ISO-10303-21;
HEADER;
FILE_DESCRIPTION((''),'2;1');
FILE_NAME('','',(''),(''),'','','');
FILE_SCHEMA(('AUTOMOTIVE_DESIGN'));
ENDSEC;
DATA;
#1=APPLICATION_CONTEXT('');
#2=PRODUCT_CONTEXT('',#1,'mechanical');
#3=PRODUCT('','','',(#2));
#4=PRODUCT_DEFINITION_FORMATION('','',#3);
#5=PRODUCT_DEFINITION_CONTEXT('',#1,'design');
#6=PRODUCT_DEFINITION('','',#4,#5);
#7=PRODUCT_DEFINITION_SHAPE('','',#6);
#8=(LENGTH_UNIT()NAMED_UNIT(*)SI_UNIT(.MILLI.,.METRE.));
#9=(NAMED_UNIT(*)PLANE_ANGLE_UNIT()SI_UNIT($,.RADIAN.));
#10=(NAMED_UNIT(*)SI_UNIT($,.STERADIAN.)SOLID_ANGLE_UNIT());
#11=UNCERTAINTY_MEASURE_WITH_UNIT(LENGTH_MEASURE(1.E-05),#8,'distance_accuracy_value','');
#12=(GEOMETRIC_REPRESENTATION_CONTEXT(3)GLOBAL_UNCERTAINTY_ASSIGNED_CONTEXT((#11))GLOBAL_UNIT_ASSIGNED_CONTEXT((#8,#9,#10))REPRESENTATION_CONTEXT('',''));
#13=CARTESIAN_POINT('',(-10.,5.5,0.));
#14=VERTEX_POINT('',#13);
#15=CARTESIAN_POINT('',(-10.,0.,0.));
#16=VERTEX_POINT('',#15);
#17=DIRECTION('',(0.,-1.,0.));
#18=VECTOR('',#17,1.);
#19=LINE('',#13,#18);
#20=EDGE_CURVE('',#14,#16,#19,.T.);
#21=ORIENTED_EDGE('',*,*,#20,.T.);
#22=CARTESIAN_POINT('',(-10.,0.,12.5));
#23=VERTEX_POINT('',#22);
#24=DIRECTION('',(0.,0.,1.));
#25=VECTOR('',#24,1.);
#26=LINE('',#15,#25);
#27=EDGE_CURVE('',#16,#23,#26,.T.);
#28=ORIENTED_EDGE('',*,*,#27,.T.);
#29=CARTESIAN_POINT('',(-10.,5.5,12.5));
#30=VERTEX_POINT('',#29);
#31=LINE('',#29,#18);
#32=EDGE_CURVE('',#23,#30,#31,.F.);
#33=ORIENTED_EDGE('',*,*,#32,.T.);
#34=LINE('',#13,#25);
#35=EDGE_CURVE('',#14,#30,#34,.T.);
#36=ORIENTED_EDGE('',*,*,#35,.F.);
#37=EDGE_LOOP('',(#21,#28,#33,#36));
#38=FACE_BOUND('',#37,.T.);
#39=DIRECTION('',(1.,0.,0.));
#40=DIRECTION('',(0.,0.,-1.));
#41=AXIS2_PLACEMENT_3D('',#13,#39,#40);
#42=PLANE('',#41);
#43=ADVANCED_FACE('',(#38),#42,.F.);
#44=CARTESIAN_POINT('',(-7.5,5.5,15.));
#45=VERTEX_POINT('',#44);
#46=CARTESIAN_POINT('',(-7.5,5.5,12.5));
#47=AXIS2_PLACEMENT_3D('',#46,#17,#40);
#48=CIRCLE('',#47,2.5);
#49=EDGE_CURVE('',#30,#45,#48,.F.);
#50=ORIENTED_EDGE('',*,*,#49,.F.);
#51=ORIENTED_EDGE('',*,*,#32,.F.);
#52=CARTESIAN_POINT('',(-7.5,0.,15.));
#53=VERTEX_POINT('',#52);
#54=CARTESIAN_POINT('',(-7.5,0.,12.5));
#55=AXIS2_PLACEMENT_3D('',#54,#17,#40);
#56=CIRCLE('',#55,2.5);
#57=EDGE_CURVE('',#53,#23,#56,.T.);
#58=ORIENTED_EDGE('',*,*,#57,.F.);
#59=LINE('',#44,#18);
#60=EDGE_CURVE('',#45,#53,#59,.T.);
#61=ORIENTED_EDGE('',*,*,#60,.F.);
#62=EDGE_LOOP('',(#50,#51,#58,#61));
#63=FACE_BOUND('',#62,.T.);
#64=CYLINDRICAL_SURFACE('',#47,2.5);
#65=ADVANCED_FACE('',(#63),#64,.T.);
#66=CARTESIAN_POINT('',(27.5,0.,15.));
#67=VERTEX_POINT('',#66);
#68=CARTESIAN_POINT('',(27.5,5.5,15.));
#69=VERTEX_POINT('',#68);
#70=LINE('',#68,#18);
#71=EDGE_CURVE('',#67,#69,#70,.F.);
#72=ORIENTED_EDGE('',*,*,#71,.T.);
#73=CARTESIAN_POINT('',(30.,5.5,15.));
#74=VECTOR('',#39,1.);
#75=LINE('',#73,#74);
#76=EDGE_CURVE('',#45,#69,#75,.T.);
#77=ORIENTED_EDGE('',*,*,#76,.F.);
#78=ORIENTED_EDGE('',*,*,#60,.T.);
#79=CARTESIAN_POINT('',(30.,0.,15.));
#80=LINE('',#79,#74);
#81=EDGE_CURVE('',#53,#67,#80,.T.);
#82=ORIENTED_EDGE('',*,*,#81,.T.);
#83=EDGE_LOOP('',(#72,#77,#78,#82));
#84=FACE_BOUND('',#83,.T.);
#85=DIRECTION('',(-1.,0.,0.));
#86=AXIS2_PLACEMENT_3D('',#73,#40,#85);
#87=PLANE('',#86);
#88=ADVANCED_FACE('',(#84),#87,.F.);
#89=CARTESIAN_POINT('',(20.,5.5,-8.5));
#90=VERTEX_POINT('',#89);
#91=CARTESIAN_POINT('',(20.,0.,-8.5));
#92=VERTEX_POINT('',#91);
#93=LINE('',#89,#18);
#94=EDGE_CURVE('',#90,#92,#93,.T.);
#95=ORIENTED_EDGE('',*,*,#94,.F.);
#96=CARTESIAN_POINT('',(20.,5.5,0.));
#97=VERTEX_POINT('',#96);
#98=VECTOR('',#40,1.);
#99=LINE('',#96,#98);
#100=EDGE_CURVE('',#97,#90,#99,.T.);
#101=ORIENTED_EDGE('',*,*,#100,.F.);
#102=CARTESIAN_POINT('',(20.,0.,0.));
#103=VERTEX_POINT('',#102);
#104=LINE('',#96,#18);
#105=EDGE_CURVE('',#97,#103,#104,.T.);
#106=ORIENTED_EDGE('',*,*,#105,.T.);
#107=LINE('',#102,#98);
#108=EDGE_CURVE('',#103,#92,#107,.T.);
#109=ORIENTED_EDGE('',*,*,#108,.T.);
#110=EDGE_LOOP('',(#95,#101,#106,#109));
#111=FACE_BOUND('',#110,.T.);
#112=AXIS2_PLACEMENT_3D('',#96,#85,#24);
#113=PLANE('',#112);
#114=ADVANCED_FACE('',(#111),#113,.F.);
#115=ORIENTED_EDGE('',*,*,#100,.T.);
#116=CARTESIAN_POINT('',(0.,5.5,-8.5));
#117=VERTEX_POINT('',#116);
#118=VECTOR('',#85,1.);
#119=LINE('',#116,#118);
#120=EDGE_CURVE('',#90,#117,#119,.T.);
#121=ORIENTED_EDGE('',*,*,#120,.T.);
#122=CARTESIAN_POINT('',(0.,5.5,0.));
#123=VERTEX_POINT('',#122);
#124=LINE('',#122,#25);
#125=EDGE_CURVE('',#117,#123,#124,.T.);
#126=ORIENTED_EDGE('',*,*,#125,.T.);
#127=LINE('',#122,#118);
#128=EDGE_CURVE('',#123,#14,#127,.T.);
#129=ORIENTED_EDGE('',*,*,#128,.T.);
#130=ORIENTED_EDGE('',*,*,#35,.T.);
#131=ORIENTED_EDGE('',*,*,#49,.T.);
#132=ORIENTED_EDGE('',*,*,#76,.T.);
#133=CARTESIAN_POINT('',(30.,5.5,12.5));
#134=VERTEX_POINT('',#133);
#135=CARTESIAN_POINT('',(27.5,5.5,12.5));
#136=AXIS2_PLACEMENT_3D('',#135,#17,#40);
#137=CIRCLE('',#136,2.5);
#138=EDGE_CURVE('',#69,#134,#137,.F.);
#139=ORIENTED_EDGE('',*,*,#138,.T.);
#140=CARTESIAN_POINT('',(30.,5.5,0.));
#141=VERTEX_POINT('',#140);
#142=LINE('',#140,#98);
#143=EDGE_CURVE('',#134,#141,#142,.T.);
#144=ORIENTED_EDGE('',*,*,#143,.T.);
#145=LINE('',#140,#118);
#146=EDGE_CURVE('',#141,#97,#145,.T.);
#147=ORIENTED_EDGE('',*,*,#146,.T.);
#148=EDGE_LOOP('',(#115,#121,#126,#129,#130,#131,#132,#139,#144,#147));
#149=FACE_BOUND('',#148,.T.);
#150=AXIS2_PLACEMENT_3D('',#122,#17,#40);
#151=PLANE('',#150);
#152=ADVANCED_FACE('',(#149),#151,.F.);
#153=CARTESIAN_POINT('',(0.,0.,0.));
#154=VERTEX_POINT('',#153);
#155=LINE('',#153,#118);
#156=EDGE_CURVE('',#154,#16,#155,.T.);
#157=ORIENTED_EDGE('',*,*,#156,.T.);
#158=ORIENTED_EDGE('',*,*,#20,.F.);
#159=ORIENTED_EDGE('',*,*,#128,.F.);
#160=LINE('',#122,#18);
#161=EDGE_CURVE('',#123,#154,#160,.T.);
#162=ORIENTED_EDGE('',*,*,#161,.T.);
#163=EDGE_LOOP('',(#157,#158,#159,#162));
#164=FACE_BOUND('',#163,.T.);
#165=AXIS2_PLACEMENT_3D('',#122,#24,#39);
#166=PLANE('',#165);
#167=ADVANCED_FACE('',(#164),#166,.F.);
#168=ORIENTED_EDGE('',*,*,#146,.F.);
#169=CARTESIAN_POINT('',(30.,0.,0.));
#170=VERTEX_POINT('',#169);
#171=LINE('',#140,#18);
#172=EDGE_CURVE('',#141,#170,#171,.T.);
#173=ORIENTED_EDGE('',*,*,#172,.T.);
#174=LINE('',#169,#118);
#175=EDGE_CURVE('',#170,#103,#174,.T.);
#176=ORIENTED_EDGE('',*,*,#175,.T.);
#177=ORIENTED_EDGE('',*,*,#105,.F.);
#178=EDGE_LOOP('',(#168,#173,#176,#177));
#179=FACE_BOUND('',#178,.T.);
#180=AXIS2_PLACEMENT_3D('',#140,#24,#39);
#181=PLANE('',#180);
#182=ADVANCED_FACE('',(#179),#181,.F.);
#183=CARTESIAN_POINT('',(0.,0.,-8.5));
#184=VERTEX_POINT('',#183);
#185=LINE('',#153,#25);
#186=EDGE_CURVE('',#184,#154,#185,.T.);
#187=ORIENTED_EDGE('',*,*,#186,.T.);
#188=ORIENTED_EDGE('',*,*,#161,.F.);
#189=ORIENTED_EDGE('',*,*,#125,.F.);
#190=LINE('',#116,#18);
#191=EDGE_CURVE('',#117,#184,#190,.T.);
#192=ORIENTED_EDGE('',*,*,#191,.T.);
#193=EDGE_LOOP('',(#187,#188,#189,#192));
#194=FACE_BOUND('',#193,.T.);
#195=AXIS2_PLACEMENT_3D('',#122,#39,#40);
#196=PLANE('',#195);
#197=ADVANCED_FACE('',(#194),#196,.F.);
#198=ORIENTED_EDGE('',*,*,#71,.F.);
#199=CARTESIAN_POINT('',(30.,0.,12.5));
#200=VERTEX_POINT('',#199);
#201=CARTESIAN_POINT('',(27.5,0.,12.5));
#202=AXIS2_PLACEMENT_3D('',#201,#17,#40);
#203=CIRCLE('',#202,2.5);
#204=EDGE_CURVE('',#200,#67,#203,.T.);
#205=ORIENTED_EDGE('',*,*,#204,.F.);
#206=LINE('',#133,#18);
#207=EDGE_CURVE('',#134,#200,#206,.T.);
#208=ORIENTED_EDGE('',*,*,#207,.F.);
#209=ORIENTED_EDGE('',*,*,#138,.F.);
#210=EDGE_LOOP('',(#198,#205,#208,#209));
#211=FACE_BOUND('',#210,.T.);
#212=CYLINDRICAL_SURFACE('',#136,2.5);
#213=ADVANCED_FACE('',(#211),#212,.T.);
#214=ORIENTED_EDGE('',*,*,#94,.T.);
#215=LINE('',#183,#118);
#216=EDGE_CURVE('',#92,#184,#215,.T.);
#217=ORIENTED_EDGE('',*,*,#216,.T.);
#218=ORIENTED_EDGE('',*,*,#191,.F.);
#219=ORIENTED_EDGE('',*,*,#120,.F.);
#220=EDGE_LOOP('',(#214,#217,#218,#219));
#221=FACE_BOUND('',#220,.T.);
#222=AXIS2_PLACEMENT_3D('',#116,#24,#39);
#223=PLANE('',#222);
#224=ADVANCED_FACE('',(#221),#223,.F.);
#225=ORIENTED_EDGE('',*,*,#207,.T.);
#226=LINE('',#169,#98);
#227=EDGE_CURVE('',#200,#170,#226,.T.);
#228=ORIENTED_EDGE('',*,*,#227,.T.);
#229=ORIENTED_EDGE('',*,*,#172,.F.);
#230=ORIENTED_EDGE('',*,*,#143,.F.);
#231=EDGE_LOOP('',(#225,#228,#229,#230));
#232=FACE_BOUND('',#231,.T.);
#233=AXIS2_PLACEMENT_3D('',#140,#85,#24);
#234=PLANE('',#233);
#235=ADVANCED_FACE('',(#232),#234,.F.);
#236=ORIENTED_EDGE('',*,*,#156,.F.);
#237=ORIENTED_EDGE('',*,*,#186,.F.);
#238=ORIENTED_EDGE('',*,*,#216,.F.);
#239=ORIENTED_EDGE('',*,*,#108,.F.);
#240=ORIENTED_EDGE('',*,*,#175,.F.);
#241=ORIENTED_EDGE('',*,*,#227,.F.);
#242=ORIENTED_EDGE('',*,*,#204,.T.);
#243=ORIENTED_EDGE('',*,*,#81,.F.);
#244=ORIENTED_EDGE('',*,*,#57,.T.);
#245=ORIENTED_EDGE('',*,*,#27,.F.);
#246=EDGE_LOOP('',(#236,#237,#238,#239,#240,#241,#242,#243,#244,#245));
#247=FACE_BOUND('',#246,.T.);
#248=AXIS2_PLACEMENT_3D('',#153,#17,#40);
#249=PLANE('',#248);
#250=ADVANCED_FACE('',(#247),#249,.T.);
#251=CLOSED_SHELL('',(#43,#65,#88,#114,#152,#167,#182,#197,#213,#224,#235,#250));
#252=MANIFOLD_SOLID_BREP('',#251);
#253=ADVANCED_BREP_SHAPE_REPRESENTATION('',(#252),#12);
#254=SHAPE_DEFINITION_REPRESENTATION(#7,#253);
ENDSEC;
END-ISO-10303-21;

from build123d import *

# Parameters (mm, degrees)
BOSS_EXTRUDE1_DEPTH = 5.5
FILLET1_R           = 2.5


with BuildPart() as part:
    # Sketch1 → Boss-Extrude1 (new body)
    with BuildSketch(Plane(origin=(0, 0, 0), x_dir=(1, 0, 0), z_dir=(0, 1, 0))):
        Polygon((0, 0), (-10, 0), (-10, -15), (30, -15), (30, 0), (20, 0), (20, 8.5), (0, 8.5), align=None)
    extrude(amount=BOSS_EXTRUDE1_DEPTH)

    # Fillet1
    fillet1_edges = [part.edges().sort_by_distance(p)[0] for p in [
        (30, 2.75, 15),
        (-10, 2.75, 15),
    ]]
    fillet(fillet1_edges, radius=FILLET1_R)


solid = part.part
